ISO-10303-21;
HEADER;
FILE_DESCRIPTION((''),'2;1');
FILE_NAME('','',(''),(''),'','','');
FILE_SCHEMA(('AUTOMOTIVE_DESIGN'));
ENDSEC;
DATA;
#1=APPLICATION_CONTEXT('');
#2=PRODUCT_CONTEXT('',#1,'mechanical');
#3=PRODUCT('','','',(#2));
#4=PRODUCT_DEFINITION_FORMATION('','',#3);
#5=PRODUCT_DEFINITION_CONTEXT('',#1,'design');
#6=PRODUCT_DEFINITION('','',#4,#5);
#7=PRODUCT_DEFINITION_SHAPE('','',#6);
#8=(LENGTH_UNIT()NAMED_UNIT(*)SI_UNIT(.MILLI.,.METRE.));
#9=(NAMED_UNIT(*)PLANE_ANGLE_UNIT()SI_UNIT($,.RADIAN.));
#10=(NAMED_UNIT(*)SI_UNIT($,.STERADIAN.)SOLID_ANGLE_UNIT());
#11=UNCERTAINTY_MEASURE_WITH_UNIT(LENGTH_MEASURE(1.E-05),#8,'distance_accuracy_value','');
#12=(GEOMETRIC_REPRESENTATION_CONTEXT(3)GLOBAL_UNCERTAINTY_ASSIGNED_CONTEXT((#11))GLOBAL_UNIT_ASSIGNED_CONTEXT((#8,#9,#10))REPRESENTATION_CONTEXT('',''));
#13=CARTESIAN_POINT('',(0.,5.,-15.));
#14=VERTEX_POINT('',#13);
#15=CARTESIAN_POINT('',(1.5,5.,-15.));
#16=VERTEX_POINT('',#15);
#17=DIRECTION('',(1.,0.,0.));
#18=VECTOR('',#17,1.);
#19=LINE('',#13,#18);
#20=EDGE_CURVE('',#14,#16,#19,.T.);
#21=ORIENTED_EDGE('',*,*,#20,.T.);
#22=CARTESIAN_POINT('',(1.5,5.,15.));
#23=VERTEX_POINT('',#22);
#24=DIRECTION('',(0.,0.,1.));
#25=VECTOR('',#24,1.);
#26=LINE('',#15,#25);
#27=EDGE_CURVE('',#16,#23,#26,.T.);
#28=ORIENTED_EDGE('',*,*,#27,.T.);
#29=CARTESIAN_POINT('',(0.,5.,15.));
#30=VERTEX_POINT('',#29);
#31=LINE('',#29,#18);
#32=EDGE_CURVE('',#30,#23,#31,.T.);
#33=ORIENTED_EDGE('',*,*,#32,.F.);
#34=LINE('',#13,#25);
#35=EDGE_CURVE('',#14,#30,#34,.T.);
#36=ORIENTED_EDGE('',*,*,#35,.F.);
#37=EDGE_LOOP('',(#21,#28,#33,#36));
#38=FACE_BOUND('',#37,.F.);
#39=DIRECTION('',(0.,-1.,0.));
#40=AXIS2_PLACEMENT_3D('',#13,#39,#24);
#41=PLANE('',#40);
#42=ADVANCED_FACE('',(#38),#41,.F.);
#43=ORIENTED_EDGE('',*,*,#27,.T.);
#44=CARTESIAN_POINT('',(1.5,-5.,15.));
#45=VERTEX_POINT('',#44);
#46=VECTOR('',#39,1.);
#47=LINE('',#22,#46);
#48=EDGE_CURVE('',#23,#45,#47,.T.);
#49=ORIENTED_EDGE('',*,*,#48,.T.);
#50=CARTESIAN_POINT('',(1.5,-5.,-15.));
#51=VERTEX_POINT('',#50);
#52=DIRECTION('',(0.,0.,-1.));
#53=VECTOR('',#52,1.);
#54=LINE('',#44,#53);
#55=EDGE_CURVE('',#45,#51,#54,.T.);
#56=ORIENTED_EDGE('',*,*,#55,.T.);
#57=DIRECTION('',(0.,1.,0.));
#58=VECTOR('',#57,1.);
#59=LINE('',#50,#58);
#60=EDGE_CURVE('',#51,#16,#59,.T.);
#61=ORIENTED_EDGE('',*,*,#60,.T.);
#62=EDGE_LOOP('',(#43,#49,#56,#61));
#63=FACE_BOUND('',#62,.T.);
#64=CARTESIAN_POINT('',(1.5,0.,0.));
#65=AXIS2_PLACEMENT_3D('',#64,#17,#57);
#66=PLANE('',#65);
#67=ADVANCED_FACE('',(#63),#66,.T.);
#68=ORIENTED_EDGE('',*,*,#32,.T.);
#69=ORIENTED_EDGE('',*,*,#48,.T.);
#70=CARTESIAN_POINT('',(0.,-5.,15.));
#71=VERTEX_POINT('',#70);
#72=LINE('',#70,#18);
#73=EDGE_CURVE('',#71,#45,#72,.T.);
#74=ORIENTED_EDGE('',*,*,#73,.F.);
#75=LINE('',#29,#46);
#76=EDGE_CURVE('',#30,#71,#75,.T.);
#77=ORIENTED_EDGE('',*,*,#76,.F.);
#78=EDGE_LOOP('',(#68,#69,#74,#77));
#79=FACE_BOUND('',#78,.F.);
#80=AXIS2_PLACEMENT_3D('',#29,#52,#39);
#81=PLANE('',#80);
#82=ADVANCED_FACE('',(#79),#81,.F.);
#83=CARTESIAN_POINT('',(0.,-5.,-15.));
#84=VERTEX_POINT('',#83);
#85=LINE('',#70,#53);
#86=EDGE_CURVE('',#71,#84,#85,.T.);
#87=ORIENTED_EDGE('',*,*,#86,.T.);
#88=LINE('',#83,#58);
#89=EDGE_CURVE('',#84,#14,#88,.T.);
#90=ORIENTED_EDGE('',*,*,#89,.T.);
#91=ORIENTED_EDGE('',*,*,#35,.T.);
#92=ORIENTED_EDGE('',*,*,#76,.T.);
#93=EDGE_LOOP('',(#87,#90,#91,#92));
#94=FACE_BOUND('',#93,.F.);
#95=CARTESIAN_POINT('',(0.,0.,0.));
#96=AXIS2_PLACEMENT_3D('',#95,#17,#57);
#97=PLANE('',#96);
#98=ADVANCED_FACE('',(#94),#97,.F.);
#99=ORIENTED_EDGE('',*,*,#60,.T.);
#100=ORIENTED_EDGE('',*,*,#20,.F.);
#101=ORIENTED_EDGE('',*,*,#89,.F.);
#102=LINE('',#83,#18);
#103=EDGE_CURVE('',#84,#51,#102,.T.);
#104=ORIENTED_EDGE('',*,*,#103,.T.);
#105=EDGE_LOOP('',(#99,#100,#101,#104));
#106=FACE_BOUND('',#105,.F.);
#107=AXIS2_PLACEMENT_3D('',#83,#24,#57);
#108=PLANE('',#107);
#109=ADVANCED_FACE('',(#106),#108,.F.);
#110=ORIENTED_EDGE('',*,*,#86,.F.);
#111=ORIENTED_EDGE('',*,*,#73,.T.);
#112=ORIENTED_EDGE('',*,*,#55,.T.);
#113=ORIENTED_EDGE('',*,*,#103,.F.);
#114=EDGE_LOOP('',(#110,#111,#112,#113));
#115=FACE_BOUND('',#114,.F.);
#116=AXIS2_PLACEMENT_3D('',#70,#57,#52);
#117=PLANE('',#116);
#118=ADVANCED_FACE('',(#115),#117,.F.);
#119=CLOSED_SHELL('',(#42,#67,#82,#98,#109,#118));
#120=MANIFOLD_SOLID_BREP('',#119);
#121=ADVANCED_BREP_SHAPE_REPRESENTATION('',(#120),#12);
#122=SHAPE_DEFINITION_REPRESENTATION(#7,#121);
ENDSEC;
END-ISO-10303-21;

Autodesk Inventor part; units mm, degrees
ref_plane "YZ Plane" through (0, 0, 0) normal (1, 0, 0) x (0, 1, 0)
ref_plane "XZ Plane" through (0, 0, 0) normal (0, 1, 0) x (-1, 0, 0)
ref_plane "XY Plane" through (0, 0, 0) normal (0, 0, 1) x (1, 0, 0)
sketch "Эскиз1" plane through (0, 0, 0) normal (1, 0, 0) x (0, 1, 0)
  line L0 (5, 15) -> (-5, 15)
  line L1 (-5, 15) -> (-5, -15)
  line L2 (-5, -15) -> (5, -15)
  line L3 (5, -15) -> (5, 15)
  point P0 (0, 0)
  point P1 (5, 0)
  point P2 (0, -15)
  dimension "d0" = 30
  dimension "d1" = 10
extrude "Выдавливание1" add sketch "Эскиз1" along normal blind 1.5
sketch "Эскиз2" plane through (1.5, 0, 0) normal (1, 0, 0) x (0, 0, -1)
  line L0 (-0.885, 4.33) -> (22.1239, 4.33) construction
  line L1 (22.1239, 4.33) -> (22.1239, 2.5601) construction
  line L2 (22.1239, 2.5601) -> (-0.885, 2.5601) construction
  line L3 (-0.885, 2.5601) -> (-0.885, 4.33) construction
  point P0 (0, 0)
properties part number "sample"
